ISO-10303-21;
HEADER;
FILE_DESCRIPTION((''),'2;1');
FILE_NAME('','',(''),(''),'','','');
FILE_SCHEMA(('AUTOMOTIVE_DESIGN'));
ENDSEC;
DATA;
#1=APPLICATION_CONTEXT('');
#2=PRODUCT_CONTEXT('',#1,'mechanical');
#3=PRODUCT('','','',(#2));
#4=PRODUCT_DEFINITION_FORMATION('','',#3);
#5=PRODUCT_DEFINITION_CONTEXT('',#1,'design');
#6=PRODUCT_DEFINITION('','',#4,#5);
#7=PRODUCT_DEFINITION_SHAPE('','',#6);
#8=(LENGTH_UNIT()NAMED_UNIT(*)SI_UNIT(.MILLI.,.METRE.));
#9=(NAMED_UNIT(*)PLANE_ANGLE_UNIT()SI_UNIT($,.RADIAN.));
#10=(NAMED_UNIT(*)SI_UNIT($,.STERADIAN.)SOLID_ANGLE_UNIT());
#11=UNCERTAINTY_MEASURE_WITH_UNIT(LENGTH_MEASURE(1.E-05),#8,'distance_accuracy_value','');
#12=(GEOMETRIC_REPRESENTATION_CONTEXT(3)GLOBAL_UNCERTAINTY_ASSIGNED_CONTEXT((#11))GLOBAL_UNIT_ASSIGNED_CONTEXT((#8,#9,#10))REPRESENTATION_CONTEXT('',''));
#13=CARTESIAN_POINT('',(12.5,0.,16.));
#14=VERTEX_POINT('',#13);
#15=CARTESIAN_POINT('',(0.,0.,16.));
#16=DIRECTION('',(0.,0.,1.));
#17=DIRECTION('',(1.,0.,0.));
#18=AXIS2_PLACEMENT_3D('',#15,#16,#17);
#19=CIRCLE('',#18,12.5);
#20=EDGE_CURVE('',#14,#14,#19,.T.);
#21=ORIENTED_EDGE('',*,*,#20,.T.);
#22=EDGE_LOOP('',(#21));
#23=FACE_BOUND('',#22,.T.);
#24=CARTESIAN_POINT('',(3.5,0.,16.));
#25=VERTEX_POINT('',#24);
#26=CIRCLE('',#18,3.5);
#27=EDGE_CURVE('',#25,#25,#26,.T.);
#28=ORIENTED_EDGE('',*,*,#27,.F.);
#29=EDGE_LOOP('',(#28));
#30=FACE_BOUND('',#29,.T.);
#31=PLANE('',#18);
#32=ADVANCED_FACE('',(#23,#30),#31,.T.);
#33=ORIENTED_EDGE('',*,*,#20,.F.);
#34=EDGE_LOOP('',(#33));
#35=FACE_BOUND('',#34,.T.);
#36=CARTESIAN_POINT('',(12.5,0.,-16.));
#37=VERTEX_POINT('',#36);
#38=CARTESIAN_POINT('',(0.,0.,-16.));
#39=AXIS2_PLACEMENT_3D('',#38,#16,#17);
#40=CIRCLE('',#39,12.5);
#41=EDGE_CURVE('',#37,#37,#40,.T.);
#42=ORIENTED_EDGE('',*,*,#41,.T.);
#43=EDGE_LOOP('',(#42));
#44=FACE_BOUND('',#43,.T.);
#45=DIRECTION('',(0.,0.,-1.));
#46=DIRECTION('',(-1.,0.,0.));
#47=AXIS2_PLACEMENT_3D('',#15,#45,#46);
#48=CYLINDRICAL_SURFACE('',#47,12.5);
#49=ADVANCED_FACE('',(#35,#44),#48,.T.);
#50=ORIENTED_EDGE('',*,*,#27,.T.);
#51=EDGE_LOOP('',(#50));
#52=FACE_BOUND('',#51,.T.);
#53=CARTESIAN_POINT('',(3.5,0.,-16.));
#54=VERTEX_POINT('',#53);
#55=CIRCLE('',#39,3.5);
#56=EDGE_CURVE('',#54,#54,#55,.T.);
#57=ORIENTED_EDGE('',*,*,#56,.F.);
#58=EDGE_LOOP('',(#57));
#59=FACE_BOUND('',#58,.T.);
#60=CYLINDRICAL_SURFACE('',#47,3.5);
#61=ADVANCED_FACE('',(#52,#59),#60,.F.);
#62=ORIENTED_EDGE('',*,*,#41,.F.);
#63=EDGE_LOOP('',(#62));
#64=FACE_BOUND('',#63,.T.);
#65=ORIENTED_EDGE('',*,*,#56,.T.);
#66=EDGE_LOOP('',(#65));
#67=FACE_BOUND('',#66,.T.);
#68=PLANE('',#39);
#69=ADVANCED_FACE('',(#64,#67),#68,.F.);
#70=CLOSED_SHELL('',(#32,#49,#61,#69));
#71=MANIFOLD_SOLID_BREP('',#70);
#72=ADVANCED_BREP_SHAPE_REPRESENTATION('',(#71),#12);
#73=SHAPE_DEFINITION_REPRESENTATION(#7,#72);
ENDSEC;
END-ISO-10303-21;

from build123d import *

# Parameters (mm, degrees)
SKETCH1_R           = 12.5
SKETCH1_R_2         = 3.5
BOSS_EXTRUDE1_DEPTH = 16


with BuildPart() as part:
    # Sketch1 → Boss-Extrude1 (new, symmetric)
    with BuildSketch(Plane.XY):
        Circle(SKETCH1_R)
        Circle(SKETCH1_R_2, mode=Mode.SUBTRACT)
    extrude(amount=BOSS_EXTRUDE1_DEPTH, both=True)


solid = part.part
